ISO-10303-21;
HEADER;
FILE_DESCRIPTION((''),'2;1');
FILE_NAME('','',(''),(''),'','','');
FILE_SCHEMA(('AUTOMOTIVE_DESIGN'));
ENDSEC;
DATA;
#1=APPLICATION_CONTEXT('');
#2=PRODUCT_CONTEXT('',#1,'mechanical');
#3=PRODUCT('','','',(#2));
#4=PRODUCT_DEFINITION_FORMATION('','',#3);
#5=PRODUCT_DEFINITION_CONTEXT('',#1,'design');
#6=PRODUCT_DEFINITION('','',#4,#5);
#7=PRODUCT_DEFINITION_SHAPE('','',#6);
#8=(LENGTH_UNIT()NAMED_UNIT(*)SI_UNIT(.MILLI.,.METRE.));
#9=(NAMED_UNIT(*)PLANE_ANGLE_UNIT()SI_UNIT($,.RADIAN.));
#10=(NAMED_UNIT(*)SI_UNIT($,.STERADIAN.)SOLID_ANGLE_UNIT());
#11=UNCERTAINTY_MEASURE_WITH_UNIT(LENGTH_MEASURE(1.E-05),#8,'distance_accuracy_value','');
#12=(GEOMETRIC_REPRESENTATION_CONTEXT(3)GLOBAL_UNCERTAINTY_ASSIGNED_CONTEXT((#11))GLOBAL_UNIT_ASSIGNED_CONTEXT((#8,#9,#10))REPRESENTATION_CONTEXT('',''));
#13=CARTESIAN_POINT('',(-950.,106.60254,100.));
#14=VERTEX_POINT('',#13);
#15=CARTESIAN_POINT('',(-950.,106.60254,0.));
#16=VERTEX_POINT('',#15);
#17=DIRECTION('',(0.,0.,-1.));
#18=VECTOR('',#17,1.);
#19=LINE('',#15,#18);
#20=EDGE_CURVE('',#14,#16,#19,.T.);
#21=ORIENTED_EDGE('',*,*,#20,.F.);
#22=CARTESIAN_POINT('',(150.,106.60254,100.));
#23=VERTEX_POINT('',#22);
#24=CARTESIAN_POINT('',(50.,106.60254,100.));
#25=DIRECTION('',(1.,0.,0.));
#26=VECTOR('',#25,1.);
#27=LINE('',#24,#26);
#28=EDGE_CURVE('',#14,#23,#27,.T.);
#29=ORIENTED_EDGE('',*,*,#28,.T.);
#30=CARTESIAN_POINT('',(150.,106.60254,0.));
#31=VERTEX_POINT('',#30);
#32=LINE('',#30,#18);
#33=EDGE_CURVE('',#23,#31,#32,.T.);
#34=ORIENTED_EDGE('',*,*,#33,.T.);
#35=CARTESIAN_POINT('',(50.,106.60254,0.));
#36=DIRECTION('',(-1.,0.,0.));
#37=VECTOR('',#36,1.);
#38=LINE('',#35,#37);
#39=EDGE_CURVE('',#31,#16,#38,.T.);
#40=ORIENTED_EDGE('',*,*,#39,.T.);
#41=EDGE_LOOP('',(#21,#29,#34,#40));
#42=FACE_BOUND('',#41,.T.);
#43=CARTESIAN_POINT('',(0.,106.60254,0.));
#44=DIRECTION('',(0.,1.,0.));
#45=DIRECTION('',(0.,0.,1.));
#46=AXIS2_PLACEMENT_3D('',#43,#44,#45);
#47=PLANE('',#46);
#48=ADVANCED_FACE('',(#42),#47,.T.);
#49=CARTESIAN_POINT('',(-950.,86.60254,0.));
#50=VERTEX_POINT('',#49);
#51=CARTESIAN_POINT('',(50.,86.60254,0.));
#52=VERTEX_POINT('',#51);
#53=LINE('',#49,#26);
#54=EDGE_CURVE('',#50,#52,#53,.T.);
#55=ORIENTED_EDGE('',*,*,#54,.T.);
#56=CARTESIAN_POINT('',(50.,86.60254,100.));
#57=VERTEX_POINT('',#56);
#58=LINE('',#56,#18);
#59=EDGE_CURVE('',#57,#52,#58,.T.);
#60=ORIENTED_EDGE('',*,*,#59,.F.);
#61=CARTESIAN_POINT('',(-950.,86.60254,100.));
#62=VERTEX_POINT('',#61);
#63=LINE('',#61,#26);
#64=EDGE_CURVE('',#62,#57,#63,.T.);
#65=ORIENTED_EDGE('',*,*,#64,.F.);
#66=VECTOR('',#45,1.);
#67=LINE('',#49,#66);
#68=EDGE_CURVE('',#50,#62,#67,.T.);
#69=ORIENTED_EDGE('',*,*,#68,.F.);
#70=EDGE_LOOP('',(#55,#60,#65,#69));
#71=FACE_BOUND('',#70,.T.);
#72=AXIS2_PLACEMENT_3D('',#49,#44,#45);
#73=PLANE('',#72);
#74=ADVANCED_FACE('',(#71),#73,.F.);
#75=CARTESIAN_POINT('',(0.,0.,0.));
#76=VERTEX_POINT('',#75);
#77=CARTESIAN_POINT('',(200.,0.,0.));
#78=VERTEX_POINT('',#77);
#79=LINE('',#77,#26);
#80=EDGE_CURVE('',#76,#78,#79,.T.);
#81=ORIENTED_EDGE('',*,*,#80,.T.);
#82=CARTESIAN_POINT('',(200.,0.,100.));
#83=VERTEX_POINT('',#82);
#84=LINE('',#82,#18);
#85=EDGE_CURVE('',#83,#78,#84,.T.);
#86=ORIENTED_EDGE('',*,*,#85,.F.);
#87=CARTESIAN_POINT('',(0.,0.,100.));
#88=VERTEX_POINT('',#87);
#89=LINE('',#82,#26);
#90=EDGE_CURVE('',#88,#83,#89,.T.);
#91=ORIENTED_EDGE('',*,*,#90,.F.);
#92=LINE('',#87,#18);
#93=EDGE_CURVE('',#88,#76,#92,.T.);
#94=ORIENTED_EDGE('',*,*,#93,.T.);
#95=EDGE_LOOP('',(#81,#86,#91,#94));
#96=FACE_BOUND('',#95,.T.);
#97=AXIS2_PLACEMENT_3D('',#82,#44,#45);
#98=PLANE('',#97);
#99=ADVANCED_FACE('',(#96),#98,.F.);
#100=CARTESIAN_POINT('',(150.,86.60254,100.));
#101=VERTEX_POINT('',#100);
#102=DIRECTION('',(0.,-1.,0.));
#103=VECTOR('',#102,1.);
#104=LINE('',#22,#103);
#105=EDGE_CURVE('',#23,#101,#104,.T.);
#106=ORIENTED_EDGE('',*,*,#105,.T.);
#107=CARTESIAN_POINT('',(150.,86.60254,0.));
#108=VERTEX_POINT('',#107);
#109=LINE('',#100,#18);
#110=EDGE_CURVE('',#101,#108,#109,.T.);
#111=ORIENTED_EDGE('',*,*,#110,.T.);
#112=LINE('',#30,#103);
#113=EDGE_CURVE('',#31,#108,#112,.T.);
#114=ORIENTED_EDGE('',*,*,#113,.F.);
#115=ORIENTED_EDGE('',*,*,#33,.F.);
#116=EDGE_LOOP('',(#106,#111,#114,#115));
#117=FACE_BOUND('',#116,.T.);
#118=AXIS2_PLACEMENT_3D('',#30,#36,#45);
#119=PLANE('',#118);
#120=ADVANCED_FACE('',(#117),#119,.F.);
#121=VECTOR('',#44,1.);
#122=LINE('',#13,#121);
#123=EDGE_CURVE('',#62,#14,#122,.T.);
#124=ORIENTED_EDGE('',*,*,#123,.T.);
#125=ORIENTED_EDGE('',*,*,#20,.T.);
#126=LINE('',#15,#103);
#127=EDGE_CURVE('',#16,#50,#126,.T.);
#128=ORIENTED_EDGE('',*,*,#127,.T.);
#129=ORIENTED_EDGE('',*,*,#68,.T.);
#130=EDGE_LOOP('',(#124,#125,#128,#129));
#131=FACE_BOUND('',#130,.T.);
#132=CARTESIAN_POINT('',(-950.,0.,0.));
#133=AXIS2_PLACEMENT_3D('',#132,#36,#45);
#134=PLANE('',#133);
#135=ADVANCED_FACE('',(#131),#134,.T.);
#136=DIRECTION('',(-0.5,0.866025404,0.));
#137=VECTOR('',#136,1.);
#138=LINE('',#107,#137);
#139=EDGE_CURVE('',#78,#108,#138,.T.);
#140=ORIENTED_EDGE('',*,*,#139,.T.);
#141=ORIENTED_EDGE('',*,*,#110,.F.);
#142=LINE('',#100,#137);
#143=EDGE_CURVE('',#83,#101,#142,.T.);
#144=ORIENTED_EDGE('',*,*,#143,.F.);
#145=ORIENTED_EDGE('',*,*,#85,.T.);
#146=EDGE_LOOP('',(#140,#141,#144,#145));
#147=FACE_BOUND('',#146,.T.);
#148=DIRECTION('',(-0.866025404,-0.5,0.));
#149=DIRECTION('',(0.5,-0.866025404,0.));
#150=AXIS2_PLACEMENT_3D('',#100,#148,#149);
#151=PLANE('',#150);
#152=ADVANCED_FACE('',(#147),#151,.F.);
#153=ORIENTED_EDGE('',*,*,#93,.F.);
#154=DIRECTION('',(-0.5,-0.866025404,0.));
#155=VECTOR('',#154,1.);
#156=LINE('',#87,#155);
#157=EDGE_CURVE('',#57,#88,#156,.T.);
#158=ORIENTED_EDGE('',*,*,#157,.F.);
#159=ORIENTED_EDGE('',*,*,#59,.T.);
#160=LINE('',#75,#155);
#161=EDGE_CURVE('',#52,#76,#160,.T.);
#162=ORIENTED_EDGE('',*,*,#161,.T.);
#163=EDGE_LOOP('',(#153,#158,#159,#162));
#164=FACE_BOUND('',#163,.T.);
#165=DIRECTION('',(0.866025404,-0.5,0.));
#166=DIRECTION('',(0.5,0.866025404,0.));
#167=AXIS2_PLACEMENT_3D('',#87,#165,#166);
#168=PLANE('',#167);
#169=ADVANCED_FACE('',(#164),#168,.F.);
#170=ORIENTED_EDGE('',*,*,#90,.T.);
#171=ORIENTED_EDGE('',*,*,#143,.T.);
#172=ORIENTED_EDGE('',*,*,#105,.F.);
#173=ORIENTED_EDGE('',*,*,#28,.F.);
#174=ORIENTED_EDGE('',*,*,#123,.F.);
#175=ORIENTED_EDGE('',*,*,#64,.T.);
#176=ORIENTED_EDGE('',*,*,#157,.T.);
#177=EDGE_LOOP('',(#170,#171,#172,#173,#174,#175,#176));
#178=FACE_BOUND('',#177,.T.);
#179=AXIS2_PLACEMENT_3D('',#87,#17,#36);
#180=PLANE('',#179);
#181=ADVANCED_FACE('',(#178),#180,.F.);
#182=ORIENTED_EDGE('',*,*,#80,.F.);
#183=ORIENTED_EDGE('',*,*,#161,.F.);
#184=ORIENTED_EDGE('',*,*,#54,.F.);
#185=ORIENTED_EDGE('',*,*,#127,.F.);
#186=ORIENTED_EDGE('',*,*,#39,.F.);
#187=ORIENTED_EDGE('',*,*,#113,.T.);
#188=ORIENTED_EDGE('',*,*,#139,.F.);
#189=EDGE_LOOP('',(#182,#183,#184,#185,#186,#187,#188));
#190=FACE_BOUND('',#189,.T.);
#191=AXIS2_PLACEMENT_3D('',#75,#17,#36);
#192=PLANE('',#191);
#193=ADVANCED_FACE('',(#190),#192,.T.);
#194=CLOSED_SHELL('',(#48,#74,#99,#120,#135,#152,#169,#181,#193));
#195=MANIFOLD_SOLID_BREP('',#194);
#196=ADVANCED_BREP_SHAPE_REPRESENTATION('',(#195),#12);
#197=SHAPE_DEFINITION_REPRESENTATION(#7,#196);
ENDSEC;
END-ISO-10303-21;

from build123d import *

# Parameters (mm, degrees)
SALIENTE_EXTRUIR1_DEPTH = 100
CROQUIS2_W              = 100
CROQUIS2_H              = 100
SALIENTE_EXTRUIR2_DEPTH = 20
CROQUIS3_W              = 100
CROQUIS3_H              = 20
SALIENTE_EXTRUIR3_DEPTH = 1000


with BuildPart() as part:
    # Croquis1 → Saliente-Extruir1 (new body)
    with BuildSketch(Plane.XY):
        Polygon((0, 0), (50, 86.602540378), (150, 86.602540378), (200, 0), align=None)
    extrude(amount=SALIENTE_EXTRUIR1_DEPTH)

    # Croquis2 → Saliente-Extruir2 (add)
    with BuildSketch(Plane(origin=(0, 86.602540378, 0), x_dir=(1, 0, 0), z_dir=(0, 1, 0))):
        with Locations((100, -50)):
            Rectangle(CROQUIS2_W, CROQUIS2_H)
    extrude(amount=SALIENTE_EXTRUIR2_DEPTH)

    # Croquis3 → Saliente-Extruir3 (add)
    with BuildSketch(Plane.ZY.offset(-50)):
        with Locations((50, 96.602540378)):
            Rectangle(CROQUIS3_W, CROQUIS3_H)
    extrude(amount=SALIENTE_EXTRUIR3_DEPTH)


solid = part.part
